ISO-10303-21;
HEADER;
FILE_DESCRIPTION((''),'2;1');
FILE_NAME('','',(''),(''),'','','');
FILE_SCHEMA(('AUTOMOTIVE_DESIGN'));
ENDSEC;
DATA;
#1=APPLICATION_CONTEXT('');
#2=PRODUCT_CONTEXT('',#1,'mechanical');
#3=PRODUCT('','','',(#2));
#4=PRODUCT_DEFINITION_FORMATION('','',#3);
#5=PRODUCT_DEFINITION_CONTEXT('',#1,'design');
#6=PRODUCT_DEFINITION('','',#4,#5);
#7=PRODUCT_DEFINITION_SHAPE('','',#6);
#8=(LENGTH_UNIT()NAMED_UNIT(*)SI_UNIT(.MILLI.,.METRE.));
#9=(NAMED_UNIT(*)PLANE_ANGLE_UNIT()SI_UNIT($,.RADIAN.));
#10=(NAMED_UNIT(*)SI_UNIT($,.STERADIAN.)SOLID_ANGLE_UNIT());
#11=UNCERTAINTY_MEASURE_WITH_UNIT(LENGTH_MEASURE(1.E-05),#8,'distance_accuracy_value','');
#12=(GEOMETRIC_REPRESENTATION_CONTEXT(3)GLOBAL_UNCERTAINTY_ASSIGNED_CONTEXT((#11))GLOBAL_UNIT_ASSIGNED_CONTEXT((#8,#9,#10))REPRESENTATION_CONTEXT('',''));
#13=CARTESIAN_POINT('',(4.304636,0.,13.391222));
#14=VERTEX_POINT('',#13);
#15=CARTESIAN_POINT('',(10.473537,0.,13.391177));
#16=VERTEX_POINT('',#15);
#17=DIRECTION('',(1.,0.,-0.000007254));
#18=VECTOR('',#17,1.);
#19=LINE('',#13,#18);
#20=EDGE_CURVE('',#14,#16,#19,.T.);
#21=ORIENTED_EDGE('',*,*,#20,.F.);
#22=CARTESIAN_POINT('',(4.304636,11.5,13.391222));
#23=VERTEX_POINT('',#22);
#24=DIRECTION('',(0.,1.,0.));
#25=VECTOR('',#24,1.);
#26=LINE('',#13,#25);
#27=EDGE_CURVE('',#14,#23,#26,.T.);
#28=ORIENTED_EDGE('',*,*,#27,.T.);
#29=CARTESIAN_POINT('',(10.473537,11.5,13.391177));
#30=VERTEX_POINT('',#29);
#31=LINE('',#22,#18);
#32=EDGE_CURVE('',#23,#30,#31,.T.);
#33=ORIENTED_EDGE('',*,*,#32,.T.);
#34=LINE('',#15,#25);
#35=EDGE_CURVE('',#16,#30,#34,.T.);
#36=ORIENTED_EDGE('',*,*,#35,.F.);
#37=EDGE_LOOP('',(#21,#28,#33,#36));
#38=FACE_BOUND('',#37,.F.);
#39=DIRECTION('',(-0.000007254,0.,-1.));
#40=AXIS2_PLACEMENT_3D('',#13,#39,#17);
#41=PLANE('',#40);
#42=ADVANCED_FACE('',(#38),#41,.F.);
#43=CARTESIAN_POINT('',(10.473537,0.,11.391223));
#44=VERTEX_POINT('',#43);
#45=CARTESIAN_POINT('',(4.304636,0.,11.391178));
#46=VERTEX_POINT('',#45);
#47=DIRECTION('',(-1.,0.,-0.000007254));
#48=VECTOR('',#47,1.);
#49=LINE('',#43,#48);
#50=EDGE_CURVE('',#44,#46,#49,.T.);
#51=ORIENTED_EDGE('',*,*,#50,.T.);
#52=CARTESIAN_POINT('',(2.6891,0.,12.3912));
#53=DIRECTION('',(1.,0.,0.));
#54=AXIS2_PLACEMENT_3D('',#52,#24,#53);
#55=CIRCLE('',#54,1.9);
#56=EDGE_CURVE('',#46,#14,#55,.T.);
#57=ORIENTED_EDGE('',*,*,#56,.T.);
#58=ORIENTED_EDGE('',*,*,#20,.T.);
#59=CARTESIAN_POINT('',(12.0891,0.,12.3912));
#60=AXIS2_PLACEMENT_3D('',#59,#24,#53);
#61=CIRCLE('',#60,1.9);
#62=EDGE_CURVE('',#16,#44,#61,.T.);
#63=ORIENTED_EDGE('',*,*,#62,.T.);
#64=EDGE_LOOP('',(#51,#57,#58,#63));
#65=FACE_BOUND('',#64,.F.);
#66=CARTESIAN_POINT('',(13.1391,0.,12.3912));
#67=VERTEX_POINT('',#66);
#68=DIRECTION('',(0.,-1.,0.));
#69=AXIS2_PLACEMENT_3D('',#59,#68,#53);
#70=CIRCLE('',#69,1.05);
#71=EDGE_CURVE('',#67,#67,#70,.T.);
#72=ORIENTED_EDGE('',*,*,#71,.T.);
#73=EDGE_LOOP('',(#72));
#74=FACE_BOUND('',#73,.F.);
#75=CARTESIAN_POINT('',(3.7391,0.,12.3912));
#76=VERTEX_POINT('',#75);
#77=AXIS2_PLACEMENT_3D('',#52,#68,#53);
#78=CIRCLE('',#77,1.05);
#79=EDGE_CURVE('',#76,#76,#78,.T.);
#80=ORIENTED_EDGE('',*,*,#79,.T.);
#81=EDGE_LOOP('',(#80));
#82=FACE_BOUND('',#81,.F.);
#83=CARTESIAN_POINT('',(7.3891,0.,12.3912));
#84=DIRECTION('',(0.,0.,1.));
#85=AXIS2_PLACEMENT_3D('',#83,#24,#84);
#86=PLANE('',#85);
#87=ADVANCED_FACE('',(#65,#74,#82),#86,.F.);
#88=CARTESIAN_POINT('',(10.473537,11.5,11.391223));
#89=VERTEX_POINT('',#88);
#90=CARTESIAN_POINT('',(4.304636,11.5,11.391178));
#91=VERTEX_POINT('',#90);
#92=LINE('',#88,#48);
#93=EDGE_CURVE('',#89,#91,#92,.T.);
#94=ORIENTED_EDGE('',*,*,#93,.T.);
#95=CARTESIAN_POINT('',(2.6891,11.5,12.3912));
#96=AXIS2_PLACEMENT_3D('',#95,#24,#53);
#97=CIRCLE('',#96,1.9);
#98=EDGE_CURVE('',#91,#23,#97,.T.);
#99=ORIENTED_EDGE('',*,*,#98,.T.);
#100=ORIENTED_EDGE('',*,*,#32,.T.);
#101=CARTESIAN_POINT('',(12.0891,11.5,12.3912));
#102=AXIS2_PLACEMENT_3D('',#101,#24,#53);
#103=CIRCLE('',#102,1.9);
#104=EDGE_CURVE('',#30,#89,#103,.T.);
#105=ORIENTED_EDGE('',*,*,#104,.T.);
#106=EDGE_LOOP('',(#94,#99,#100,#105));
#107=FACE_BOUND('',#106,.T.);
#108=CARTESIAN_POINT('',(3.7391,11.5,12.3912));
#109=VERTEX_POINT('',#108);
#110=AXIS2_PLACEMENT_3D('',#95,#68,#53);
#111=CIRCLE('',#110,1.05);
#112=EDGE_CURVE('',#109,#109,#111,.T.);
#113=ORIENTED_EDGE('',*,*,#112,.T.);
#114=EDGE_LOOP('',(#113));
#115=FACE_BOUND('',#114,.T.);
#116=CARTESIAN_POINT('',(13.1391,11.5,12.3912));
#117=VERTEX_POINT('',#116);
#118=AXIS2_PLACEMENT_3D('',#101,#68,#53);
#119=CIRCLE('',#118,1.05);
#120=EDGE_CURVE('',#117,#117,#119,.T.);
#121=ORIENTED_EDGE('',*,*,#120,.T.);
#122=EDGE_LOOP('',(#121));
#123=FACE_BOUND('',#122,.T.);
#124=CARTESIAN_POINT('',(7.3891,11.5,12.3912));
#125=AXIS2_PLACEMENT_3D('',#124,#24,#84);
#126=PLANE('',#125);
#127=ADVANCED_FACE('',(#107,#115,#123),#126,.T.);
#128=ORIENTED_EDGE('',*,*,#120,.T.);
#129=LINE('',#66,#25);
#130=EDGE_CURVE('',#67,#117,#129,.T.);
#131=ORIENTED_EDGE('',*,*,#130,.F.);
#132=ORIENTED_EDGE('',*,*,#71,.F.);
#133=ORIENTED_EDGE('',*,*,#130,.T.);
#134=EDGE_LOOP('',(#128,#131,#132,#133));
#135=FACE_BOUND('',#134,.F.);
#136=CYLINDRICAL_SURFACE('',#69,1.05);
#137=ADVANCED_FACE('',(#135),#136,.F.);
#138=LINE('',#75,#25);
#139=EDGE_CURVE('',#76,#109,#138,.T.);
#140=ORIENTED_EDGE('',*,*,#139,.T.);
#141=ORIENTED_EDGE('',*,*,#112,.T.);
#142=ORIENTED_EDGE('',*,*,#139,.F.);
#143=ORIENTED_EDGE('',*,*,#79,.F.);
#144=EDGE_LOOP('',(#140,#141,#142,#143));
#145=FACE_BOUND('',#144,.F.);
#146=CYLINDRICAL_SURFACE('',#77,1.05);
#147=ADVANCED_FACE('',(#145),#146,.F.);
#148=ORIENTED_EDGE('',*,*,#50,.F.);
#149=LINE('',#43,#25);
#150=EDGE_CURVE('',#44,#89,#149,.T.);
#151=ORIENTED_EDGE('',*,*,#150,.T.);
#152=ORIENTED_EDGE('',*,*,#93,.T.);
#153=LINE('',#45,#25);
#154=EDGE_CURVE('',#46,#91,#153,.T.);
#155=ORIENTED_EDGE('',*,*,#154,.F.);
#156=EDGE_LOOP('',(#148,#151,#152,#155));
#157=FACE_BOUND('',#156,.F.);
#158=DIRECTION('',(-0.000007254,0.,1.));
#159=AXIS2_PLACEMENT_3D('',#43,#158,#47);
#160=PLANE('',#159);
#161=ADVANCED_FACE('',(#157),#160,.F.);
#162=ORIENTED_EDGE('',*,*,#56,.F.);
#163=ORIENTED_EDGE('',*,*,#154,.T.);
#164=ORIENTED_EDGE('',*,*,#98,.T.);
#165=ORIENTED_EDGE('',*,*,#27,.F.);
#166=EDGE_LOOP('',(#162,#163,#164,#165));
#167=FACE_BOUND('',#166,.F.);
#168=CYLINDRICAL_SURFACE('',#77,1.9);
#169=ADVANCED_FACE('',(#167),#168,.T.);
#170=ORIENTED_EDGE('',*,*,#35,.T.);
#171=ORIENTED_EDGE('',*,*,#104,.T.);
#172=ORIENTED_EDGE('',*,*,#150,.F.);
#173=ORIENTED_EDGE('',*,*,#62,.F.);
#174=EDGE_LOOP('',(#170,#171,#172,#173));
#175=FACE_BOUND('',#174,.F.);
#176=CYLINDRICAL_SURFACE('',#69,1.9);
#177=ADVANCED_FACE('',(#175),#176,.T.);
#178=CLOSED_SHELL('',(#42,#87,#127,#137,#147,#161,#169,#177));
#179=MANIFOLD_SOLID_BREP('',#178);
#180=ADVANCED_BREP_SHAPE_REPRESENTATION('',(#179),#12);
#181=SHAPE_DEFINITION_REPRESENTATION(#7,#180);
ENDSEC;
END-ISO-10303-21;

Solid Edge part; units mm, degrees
sketch "Sketch1" plane through (0, 0, 0) normal (0, -1, 0) x (1, 0, 0)
  circle A0 centre (2.6891, 12.3912) radius 1.05
  circle A1 centre (12.0891, 12.3912) radius 1.05
  line L0 (4.3046, 13.3912) -> (10.4735, 13.3912)
  line L1 (10.4735, 11.3912) -> (4.3046, 11.3912)
  arc A2 (4.3046, 11.3912) -> (4.3046, 13.3912) centre (2.6891, 12.3912) cw
  arc A3 (10.4735, 13.3912) -> (10.4735, 11.3912) centre (12.0891, 12.3912) cw
extrude "Protrusion1" add sketch "Sketch1" against normal blind 11.5
